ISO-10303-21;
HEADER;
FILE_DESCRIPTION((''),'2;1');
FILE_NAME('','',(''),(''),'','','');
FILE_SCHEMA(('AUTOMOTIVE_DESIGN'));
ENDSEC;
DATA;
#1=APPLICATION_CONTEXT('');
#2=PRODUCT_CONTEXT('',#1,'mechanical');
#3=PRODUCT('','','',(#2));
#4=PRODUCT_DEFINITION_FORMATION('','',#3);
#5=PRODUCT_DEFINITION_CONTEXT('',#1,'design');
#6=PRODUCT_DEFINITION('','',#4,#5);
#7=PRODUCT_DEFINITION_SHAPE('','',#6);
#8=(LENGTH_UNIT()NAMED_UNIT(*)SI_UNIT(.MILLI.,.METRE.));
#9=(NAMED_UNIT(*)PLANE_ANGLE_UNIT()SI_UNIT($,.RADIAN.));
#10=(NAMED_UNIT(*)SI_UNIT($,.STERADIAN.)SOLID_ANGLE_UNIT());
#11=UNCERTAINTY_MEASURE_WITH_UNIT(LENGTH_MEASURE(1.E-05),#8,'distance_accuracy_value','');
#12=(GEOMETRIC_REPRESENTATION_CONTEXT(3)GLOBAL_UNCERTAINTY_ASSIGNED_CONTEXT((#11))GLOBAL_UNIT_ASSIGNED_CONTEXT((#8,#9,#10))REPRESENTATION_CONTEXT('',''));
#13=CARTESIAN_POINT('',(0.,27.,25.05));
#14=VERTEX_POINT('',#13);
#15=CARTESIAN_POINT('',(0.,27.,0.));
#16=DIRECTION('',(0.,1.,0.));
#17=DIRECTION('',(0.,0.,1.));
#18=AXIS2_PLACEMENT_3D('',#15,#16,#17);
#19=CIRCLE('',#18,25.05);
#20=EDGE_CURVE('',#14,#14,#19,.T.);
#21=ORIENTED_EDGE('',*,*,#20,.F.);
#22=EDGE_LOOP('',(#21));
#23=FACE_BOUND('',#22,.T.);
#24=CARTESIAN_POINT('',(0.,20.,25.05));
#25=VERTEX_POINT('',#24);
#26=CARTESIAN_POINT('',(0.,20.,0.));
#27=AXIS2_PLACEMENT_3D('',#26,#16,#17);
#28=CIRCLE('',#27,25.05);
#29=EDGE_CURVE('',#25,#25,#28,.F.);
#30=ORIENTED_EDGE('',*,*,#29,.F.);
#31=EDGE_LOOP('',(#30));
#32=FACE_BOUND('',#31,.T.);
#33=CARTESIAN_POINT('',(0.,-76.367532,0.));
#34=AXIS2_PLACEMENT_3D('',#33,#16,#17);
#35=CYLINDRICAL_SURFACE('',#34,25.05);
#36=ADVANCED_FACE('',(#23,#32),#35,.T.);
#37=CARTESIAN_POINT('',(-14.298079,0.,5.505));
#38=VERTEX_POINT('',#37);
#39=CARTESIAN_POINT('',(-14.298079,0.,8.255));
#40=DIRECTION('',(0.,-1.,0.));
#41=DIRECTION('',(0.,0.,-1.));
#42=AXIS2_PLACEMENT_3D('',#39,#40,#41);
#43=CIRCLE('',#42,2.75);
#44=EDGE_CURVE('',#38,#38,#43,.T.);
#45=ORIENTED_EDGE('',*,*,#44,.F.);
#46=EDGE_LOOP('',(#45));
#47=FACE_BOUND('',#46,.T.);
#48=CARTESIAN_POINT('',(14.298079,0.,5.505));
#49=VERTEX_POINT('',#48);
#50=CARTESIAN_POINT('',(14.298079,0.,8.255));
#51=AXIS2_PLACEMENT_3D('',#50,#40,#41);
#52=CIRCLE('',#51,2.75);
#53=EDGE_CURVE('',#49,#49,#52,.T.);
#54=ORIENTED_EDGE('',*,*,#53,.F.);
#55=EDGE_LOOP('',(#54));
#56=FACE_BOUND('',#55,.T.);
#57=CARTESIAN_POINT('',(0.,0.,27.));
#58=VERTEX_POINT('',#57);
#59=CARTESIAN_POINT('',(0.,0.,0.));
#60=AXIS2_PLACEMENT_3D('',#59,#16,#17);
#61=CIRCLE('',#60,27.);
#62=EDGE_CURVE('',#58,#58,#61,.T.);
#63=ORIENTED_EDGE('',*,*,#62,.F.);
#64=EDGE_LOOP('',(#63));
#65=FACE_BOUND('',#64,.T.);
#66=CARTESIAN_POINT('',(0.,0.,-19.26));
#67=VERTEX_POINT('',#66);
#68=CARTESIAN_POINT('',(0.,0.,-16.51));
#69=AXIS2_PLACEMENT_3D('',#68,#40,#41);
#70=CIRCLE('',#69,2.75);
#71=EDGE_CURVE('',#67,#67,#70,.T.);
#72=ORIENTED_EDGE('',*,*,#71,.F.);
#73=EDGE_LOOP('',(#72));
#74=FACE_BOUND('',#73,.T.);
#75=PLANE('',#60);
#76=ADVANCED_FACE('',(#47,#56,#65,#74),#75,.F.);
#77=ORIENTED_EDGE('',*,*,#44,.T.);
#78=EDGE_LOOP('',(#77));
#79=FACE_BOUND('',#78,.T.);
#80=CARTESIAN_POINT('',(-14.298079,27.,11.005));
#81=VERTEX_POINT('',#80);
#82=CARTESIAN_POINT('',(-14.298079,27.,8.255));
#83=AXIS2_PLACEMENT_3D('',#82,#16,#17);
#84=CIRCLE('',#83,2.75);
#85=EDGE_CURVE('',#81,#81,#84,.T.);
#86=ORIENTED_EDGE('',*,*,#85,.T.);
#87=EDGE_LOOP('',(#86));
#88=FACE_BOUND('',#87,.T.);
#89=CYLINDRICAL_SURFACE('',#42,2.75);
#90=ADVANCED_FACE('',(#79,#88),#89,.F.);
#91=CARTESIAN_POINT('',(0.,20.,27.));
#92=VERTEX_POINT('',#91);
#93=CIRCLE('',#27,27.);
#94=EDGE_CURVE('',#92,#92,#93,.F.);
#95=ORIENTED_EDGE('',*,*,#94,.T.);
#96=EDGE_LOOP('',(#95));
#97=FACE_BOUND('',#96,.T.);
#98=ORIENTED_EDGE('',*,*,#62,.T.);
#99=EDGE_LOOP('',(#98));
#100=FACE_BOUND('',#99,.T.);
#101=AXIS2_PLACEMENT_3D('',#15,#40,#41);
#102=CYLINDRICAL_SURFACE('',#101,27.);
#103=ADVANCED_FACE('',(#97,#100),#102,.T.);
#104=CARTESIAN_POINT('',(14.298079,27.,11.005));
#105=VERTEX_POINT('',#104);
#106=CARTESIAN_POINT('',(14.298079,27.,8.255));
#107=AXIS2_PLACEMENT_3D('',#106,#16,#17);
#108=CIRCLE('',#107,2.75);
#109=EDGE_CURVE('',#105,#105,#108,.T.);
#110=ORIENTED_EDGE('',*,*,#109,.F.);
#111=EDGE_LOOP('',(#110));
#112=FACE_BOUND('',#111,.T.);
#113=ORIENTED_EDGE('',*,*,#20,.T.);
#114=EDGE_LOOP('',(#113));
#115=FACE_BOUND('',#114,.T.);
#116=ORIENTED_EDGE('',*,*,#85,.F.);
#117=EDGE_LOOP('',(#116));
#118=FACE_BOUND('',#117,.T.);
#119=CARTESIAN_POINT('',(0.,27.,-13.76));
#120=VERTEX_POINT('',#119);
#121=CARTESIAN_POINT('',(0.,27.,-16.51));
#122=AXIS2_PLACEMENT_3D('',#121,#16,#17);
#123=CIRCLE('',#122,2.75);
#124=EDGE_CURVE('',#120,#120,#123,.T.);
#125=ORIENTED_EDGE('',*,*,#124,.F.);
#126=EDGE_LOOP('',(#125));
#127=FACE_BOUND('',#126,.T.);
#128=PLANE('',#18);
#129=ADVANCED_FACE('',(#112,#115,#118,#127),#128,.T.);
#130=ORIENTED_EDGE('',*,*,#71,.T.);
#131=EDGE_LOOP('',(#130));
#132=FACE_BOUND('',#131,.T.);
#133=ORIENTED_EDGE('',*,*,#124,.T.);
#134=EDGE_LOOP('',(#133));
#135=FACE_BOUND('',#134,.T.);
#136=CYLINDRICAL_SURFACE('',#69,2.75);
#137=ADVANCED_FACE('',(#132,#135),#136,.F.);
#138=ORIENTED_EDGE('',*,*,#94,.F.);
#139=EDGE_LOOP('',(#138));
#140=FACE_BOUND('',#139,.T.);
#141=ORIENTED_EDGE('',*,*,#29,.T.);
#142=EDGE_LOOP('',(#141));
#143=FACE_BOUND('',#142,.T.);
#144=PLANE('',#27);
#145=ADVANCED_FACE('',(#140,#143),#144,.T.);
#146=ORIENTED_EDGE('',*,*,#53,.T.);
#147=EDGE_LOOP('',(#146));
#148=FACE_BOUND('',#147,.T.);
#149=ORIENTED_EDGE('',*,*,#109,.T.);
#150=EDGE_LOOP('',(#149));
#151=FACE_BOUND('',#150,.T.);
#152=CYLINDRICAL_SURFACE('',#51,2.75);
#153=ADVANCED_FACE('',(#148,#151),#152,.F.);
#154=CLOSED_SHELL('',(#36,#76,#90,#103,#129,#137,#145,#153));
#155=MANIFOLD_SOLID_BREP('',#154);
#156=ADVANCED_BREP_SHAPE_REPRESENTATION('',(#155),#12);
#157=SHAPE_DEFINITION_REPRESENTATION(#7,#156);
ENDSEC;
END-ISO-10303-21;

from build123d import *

# Parameters (mm, degrees)
SKETCH2_R            = 27
BOSS_EXTRUDE2_DEPTH  = 27
M5_CLEARANCE_HOLE1_D = 5.5
CUT_EXTRUDE1_START   = -7
SKETCH10_R           = 27
SKETCH10_R_2         = 25.05
CUT_EXTRUDE1_DEPTH   = 7


with BuildPart() as part:
    # Sketch2 → Boss-Extrude2 (new body)
    with BuildSketch(Plane(origin=(0, 0, 0), x_dir=(1, 0, 0), z_dir=(0, 1, 0))):
        with Locations(Location((0, 0, 0), (0, 0, 270))):
            Circle(SKETCH2_R)
    extrude(amount=BOSS_EXTRUDE2_DEPTH)

    # M5 Clearance Hole1 (through all)
    with Locations(Plane(origin=(0, 0, 0), x_dir=(-1, 0, 0), z_dir=(0, -1, 0))):
        with Locations((14.298079416, -8.255), (0, 16.51), (-14.298079416, -8.255)):
            Hole(M5_CLEARANCE_HOLE1_D / 2)

    # Sketch10 → Cut-Extrude1 (cut)
    with BuildSketch(Plane(origin=(0, 27, 0), x_dir=(1, 0, 0), z_dir=(0, 1, 0)).offset(CUT_EXTRUDE1_START)):
        with Locations(Location((0, 0, 0), (0, 0, 270))):
            Circle(SKETCH10_R)
        with Locations(Location((0, 0, 0), (0, 0, 270))):
            Circle(SKETCH10_R_2, mode=Mode.SUBTRACT)
    extrude(amount=CUT_EXTRUDE1_DEPTH, mode=Mode.SUBTRACT)


solid = part.part
